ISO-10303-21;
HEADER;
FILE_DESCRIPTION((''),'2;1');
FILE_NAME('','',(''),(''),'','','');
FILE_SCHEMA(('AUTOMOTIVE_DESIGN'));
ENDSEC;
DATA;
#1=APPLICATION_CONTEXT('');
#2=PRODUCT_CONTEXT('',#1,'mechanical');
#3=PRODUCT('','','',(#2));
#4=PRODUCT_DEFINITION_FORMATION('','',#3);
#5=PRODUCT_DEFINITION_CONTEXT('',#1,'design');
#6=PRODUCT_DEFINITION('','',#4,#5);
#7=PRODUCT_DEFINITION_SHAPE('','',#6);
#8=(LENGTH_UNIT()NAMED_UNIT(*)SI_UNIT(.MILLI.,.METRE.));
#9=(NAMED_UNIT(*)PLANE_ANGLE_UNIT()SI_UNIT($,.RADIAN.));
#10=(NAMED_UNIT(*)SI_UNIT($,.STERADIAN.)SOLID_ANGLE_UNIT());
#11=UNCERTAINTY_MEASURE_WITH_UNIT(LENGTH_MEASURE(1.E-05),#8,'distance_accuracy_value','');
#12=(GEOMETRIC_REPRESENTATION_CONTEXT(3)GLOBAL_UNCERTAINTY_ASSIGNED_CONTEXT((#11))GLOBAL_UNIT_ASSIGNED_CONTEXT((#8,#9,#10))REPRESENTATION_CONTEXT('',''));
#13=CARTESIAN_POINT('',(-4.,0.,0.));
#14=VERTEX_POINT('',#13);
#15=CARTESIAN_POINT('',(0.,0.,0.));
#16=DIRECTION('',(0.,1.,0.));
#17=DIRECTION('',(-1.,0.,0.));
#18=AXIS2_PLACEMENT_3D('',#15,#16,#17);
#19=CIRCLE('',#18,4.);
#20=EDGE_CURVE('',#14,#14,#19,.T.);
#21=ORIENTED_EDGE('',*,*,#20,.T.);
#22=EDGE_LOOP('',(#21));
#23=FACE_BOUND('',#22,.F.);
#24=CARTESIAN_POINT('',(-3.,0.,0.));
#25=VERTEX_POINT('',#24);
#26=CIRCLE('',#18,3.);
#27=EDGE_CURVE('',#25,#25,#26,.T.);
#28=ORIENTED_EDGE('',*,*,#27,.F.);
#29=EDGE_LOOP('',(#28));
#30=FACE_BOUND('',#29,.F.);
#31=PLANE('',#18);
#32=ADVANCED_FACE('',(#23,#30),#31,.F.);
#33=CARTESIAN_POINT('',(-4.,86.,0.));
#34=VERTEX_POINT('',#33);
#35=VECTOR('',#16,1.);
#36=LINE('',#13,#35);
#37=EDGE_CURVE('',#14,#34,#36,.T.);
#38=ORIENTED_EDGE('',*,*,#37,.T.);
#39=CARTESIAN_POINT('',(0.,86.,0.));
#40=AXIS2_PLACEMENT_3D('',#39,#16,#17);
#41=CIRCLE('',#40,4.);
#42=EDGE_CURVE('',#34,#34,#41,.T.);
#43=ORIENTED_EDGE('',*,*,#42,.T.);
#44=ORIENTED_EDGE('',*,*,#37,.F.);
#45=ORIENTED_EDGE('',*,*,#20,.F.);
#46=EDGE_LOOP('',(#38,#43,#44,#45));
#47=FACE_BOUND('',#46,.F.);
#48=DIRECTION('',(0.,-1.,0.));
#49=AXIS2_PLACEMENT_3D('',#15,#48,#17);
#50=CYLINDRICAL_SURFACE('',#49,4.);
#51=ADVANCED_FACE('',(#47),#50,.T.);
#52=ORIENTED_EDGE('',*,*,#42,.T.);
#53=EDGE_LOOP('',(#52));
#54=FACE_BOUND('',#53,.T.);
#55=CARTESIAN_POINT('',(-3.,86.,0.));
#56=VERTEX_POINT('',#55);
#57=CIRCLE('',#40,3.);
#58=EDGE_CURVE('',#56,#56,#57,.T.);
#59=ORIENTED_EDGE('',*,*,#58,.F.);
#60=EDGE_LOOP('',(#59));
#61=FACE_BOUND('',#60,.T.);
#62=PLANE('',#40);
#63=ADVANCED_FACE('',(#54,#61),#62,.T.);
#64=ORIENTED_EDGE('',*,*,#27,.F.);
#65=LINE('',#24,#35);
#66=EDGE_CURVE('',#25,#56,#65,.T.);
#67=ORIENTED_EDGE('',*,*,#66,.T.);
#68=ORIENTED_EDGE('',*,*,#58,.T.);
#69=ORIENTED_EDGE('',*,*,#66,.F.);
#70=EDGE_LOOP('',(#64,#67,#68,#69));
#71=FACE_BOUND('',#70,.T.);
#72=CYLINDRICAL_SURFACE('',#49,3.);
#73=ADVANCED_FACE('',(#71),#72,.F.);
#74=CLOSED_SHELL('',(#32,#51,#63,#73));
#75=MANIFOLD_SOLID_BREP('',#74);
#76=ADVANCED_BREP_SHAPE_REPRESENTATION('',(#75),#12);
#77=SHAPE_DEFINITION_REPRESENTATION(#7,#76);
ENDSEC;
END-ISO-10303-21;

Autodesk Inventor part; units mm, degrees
ref_plane "YZ Plane" through (0, 0, 0) normal (1, 0, 0) x (0, 1, 0)
ref_plane "XZ Plane" through (0, 0, 0) normal (0, 1, 0) x (-1, 0, 0)
ref_plane "XY Plane" through (0, 0, 0) normal (0, 0, 1) x (1, 0, 0)
sketch "Sketch1" plane through (0, 0, 0) normal (0, 1, 0) x (-1, 0, 0)
  circle A0 centre (0, 0) radius 4
  circle A1 centre (0, 0) radius 3
  dimension "d0" = 8
  dimension "d1" = 6
extrude "Extrusion1" add sketch "Sketch1" along normal blind 86
properties part number "pillar_tube" material "Steel"
